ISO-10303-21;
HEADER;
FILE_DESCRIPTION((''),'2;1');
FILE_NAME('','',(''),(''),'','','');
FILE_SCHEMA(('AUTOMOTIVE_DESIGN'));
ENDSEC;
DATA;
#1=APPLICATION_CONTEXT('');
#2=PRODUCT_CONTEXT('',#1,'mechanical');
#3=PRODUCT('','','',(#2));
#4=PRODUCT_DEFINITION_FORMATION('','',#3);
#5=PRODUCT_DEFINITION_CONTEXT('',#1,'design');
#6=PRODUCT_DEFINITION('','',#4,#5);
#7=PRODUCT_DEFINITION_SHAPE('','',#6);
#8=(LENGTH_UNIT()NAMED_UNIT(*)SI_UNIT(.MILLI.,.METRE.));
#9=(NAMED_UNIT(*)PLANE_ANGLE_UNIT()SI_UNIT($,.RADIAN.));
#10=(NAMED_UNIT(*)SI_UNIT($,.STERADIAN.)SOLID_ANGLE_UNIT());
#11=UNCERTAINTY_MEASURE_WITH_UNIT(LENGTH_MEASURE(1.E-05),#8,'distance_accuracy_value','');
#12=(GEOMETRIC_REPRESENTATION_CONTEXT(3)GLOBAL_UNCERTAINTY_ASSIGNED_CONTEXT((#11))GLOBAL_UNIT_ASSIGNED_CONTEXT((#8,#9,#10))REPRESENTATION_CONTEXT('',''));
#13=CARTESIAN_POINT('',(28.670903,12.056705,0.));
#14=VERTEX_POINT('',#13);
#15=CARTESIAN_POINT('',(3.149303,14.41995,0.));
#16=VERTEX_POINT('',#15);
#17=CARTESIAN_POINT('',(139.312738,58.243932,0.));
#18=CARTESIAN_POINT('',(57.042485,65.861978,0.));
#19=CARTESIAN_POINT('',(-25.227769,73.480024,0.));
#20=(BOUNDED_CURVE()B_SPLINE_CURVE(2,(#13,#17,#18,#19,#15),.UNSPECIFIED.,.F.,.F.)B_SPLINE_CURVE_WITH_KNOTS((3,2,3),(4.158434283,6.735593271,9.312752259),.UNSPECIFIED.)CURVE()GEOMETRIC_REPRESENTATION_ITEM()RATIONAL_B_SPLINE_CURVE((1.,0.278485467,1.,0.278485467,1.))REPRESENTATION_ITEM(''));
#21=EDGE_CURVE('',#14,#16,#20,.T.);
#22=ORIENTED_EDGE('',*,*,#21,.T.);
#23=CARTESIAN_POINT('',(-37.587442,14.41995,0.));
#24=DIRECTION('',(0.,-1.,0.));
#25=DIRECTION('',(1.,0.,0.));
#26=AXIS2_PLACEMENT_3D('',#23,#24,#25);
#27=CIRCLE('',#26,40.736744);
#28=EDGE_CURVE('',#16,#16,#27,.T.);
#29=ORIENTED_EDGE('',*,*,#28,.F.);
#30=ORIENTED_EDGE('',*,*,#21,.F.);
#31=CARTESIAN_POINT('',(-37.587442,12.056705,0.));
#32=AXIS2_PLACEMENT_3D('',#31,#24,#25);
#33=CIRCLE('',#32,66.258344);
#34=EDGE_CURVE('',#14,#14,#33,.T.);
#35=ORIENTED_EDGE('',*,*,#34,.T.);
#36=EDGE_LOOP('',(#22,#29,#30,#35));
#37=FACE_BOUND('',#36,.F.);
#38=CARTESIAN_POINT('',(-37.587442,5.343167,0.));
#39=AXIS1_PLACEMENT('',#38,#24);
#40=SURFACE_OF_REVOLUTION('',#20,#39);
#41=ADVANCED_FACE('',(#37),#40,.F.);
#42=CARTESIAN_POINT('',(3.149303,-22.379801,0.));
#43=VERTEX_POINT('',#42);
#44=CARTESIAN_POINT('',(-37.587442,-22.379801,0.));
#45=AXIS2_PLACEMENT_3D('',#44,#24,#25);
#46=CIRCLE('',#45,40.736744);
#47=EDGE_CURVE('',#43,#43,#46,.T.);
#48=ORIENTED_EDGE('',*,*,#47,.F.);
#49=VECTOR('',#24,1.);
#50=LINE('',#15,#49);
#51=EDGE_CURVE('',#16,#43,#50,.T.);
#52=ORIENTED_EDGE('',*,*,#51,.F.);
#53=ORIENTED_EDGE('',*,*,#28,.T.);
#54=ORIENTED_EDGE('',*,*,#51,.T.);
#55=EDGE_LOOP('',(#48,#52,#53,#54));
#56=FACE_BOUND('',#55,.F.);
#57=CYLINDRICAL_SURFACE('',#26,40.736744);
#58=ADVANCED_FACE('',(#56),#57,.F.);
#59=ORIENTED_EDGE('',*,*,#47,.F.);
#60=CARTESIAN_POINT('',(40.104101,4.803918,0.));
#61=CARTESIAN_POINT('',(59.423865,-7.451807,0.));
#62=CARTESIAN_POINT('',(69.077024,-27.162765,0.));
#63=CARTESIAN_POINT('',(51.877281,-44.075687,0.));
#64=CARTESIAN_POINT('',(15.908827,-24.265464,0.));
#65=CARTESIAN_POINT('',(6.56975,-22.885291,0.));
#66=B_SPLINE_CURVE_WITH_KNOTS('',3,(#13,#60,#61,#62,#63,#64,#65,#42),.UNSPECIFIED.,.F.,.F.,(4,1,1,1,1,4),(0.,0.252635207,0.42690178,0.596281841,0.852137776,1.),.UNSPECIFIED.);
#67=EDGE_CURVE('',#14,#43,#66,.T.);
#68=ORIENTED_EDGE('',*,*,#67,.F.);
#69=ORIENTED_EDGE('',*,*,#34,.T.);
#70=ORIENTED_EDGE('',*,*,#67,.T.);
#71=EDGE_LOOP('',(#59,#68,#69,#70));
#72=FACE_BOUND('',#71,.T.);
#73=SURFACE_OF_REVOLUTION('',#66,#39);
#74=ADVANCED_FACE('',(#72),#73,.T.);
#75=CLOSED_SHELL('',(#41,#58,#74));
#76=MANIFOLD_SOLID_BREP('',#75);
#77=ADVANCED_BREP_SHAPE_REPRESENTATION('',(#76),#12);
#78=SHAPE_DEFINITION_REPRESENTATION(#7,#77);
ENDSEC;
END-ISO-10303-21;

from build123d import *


with BuildPart() as f1:
    # F0 (on Top) → F1 (revolve)
    with BuildSketch(Plane.XY):
        with BuildLine():
            add(Edge.make_bspline(
                [(28.6709028924, 12.0567051346), (40.1041010651, 4.8039181699), (59.423865341, -7.4518069898), (69.0770244192, -27.1627652102), (51.877280759, -44.0756873888), (15.9088266019, -24.2654636441), (6.5697501017, -22.8852907673), (3.1493029684, -22.3798009194)],
                knots=[0, 0, 0, 0, 0.2526352073, 0.4269017802, 0.5962818409, 0.8521377762, 1, 1, 1, 1], degree=3))
            add(Edge.make_bspline(
                [(28.6709028924, 12.0567051346), (139.3127377405, 58.2439321383), (57.0424845881, 65.8619782908), (-25.2277685643, 73.4800244433), (3.1493029684, 14.419949669)],
                knots=[4.1584342826, 4.1584342826, 4.1584342826, 6.735593271, 6.735593271, 9.3127522595, 9.3127522595, 9.3127522595], degree=2, weights=[1, 0.2784854668, 1, 0.2784854668, 1]))
            Line((3.1493029684, 14.419949669), (3.1493029684, -22.3798009194))
        make_face()
    revolve(axis=Axis((-37.587441504, 5.3431671113, 0), (0, -1, 0)))


solid = f1.part
